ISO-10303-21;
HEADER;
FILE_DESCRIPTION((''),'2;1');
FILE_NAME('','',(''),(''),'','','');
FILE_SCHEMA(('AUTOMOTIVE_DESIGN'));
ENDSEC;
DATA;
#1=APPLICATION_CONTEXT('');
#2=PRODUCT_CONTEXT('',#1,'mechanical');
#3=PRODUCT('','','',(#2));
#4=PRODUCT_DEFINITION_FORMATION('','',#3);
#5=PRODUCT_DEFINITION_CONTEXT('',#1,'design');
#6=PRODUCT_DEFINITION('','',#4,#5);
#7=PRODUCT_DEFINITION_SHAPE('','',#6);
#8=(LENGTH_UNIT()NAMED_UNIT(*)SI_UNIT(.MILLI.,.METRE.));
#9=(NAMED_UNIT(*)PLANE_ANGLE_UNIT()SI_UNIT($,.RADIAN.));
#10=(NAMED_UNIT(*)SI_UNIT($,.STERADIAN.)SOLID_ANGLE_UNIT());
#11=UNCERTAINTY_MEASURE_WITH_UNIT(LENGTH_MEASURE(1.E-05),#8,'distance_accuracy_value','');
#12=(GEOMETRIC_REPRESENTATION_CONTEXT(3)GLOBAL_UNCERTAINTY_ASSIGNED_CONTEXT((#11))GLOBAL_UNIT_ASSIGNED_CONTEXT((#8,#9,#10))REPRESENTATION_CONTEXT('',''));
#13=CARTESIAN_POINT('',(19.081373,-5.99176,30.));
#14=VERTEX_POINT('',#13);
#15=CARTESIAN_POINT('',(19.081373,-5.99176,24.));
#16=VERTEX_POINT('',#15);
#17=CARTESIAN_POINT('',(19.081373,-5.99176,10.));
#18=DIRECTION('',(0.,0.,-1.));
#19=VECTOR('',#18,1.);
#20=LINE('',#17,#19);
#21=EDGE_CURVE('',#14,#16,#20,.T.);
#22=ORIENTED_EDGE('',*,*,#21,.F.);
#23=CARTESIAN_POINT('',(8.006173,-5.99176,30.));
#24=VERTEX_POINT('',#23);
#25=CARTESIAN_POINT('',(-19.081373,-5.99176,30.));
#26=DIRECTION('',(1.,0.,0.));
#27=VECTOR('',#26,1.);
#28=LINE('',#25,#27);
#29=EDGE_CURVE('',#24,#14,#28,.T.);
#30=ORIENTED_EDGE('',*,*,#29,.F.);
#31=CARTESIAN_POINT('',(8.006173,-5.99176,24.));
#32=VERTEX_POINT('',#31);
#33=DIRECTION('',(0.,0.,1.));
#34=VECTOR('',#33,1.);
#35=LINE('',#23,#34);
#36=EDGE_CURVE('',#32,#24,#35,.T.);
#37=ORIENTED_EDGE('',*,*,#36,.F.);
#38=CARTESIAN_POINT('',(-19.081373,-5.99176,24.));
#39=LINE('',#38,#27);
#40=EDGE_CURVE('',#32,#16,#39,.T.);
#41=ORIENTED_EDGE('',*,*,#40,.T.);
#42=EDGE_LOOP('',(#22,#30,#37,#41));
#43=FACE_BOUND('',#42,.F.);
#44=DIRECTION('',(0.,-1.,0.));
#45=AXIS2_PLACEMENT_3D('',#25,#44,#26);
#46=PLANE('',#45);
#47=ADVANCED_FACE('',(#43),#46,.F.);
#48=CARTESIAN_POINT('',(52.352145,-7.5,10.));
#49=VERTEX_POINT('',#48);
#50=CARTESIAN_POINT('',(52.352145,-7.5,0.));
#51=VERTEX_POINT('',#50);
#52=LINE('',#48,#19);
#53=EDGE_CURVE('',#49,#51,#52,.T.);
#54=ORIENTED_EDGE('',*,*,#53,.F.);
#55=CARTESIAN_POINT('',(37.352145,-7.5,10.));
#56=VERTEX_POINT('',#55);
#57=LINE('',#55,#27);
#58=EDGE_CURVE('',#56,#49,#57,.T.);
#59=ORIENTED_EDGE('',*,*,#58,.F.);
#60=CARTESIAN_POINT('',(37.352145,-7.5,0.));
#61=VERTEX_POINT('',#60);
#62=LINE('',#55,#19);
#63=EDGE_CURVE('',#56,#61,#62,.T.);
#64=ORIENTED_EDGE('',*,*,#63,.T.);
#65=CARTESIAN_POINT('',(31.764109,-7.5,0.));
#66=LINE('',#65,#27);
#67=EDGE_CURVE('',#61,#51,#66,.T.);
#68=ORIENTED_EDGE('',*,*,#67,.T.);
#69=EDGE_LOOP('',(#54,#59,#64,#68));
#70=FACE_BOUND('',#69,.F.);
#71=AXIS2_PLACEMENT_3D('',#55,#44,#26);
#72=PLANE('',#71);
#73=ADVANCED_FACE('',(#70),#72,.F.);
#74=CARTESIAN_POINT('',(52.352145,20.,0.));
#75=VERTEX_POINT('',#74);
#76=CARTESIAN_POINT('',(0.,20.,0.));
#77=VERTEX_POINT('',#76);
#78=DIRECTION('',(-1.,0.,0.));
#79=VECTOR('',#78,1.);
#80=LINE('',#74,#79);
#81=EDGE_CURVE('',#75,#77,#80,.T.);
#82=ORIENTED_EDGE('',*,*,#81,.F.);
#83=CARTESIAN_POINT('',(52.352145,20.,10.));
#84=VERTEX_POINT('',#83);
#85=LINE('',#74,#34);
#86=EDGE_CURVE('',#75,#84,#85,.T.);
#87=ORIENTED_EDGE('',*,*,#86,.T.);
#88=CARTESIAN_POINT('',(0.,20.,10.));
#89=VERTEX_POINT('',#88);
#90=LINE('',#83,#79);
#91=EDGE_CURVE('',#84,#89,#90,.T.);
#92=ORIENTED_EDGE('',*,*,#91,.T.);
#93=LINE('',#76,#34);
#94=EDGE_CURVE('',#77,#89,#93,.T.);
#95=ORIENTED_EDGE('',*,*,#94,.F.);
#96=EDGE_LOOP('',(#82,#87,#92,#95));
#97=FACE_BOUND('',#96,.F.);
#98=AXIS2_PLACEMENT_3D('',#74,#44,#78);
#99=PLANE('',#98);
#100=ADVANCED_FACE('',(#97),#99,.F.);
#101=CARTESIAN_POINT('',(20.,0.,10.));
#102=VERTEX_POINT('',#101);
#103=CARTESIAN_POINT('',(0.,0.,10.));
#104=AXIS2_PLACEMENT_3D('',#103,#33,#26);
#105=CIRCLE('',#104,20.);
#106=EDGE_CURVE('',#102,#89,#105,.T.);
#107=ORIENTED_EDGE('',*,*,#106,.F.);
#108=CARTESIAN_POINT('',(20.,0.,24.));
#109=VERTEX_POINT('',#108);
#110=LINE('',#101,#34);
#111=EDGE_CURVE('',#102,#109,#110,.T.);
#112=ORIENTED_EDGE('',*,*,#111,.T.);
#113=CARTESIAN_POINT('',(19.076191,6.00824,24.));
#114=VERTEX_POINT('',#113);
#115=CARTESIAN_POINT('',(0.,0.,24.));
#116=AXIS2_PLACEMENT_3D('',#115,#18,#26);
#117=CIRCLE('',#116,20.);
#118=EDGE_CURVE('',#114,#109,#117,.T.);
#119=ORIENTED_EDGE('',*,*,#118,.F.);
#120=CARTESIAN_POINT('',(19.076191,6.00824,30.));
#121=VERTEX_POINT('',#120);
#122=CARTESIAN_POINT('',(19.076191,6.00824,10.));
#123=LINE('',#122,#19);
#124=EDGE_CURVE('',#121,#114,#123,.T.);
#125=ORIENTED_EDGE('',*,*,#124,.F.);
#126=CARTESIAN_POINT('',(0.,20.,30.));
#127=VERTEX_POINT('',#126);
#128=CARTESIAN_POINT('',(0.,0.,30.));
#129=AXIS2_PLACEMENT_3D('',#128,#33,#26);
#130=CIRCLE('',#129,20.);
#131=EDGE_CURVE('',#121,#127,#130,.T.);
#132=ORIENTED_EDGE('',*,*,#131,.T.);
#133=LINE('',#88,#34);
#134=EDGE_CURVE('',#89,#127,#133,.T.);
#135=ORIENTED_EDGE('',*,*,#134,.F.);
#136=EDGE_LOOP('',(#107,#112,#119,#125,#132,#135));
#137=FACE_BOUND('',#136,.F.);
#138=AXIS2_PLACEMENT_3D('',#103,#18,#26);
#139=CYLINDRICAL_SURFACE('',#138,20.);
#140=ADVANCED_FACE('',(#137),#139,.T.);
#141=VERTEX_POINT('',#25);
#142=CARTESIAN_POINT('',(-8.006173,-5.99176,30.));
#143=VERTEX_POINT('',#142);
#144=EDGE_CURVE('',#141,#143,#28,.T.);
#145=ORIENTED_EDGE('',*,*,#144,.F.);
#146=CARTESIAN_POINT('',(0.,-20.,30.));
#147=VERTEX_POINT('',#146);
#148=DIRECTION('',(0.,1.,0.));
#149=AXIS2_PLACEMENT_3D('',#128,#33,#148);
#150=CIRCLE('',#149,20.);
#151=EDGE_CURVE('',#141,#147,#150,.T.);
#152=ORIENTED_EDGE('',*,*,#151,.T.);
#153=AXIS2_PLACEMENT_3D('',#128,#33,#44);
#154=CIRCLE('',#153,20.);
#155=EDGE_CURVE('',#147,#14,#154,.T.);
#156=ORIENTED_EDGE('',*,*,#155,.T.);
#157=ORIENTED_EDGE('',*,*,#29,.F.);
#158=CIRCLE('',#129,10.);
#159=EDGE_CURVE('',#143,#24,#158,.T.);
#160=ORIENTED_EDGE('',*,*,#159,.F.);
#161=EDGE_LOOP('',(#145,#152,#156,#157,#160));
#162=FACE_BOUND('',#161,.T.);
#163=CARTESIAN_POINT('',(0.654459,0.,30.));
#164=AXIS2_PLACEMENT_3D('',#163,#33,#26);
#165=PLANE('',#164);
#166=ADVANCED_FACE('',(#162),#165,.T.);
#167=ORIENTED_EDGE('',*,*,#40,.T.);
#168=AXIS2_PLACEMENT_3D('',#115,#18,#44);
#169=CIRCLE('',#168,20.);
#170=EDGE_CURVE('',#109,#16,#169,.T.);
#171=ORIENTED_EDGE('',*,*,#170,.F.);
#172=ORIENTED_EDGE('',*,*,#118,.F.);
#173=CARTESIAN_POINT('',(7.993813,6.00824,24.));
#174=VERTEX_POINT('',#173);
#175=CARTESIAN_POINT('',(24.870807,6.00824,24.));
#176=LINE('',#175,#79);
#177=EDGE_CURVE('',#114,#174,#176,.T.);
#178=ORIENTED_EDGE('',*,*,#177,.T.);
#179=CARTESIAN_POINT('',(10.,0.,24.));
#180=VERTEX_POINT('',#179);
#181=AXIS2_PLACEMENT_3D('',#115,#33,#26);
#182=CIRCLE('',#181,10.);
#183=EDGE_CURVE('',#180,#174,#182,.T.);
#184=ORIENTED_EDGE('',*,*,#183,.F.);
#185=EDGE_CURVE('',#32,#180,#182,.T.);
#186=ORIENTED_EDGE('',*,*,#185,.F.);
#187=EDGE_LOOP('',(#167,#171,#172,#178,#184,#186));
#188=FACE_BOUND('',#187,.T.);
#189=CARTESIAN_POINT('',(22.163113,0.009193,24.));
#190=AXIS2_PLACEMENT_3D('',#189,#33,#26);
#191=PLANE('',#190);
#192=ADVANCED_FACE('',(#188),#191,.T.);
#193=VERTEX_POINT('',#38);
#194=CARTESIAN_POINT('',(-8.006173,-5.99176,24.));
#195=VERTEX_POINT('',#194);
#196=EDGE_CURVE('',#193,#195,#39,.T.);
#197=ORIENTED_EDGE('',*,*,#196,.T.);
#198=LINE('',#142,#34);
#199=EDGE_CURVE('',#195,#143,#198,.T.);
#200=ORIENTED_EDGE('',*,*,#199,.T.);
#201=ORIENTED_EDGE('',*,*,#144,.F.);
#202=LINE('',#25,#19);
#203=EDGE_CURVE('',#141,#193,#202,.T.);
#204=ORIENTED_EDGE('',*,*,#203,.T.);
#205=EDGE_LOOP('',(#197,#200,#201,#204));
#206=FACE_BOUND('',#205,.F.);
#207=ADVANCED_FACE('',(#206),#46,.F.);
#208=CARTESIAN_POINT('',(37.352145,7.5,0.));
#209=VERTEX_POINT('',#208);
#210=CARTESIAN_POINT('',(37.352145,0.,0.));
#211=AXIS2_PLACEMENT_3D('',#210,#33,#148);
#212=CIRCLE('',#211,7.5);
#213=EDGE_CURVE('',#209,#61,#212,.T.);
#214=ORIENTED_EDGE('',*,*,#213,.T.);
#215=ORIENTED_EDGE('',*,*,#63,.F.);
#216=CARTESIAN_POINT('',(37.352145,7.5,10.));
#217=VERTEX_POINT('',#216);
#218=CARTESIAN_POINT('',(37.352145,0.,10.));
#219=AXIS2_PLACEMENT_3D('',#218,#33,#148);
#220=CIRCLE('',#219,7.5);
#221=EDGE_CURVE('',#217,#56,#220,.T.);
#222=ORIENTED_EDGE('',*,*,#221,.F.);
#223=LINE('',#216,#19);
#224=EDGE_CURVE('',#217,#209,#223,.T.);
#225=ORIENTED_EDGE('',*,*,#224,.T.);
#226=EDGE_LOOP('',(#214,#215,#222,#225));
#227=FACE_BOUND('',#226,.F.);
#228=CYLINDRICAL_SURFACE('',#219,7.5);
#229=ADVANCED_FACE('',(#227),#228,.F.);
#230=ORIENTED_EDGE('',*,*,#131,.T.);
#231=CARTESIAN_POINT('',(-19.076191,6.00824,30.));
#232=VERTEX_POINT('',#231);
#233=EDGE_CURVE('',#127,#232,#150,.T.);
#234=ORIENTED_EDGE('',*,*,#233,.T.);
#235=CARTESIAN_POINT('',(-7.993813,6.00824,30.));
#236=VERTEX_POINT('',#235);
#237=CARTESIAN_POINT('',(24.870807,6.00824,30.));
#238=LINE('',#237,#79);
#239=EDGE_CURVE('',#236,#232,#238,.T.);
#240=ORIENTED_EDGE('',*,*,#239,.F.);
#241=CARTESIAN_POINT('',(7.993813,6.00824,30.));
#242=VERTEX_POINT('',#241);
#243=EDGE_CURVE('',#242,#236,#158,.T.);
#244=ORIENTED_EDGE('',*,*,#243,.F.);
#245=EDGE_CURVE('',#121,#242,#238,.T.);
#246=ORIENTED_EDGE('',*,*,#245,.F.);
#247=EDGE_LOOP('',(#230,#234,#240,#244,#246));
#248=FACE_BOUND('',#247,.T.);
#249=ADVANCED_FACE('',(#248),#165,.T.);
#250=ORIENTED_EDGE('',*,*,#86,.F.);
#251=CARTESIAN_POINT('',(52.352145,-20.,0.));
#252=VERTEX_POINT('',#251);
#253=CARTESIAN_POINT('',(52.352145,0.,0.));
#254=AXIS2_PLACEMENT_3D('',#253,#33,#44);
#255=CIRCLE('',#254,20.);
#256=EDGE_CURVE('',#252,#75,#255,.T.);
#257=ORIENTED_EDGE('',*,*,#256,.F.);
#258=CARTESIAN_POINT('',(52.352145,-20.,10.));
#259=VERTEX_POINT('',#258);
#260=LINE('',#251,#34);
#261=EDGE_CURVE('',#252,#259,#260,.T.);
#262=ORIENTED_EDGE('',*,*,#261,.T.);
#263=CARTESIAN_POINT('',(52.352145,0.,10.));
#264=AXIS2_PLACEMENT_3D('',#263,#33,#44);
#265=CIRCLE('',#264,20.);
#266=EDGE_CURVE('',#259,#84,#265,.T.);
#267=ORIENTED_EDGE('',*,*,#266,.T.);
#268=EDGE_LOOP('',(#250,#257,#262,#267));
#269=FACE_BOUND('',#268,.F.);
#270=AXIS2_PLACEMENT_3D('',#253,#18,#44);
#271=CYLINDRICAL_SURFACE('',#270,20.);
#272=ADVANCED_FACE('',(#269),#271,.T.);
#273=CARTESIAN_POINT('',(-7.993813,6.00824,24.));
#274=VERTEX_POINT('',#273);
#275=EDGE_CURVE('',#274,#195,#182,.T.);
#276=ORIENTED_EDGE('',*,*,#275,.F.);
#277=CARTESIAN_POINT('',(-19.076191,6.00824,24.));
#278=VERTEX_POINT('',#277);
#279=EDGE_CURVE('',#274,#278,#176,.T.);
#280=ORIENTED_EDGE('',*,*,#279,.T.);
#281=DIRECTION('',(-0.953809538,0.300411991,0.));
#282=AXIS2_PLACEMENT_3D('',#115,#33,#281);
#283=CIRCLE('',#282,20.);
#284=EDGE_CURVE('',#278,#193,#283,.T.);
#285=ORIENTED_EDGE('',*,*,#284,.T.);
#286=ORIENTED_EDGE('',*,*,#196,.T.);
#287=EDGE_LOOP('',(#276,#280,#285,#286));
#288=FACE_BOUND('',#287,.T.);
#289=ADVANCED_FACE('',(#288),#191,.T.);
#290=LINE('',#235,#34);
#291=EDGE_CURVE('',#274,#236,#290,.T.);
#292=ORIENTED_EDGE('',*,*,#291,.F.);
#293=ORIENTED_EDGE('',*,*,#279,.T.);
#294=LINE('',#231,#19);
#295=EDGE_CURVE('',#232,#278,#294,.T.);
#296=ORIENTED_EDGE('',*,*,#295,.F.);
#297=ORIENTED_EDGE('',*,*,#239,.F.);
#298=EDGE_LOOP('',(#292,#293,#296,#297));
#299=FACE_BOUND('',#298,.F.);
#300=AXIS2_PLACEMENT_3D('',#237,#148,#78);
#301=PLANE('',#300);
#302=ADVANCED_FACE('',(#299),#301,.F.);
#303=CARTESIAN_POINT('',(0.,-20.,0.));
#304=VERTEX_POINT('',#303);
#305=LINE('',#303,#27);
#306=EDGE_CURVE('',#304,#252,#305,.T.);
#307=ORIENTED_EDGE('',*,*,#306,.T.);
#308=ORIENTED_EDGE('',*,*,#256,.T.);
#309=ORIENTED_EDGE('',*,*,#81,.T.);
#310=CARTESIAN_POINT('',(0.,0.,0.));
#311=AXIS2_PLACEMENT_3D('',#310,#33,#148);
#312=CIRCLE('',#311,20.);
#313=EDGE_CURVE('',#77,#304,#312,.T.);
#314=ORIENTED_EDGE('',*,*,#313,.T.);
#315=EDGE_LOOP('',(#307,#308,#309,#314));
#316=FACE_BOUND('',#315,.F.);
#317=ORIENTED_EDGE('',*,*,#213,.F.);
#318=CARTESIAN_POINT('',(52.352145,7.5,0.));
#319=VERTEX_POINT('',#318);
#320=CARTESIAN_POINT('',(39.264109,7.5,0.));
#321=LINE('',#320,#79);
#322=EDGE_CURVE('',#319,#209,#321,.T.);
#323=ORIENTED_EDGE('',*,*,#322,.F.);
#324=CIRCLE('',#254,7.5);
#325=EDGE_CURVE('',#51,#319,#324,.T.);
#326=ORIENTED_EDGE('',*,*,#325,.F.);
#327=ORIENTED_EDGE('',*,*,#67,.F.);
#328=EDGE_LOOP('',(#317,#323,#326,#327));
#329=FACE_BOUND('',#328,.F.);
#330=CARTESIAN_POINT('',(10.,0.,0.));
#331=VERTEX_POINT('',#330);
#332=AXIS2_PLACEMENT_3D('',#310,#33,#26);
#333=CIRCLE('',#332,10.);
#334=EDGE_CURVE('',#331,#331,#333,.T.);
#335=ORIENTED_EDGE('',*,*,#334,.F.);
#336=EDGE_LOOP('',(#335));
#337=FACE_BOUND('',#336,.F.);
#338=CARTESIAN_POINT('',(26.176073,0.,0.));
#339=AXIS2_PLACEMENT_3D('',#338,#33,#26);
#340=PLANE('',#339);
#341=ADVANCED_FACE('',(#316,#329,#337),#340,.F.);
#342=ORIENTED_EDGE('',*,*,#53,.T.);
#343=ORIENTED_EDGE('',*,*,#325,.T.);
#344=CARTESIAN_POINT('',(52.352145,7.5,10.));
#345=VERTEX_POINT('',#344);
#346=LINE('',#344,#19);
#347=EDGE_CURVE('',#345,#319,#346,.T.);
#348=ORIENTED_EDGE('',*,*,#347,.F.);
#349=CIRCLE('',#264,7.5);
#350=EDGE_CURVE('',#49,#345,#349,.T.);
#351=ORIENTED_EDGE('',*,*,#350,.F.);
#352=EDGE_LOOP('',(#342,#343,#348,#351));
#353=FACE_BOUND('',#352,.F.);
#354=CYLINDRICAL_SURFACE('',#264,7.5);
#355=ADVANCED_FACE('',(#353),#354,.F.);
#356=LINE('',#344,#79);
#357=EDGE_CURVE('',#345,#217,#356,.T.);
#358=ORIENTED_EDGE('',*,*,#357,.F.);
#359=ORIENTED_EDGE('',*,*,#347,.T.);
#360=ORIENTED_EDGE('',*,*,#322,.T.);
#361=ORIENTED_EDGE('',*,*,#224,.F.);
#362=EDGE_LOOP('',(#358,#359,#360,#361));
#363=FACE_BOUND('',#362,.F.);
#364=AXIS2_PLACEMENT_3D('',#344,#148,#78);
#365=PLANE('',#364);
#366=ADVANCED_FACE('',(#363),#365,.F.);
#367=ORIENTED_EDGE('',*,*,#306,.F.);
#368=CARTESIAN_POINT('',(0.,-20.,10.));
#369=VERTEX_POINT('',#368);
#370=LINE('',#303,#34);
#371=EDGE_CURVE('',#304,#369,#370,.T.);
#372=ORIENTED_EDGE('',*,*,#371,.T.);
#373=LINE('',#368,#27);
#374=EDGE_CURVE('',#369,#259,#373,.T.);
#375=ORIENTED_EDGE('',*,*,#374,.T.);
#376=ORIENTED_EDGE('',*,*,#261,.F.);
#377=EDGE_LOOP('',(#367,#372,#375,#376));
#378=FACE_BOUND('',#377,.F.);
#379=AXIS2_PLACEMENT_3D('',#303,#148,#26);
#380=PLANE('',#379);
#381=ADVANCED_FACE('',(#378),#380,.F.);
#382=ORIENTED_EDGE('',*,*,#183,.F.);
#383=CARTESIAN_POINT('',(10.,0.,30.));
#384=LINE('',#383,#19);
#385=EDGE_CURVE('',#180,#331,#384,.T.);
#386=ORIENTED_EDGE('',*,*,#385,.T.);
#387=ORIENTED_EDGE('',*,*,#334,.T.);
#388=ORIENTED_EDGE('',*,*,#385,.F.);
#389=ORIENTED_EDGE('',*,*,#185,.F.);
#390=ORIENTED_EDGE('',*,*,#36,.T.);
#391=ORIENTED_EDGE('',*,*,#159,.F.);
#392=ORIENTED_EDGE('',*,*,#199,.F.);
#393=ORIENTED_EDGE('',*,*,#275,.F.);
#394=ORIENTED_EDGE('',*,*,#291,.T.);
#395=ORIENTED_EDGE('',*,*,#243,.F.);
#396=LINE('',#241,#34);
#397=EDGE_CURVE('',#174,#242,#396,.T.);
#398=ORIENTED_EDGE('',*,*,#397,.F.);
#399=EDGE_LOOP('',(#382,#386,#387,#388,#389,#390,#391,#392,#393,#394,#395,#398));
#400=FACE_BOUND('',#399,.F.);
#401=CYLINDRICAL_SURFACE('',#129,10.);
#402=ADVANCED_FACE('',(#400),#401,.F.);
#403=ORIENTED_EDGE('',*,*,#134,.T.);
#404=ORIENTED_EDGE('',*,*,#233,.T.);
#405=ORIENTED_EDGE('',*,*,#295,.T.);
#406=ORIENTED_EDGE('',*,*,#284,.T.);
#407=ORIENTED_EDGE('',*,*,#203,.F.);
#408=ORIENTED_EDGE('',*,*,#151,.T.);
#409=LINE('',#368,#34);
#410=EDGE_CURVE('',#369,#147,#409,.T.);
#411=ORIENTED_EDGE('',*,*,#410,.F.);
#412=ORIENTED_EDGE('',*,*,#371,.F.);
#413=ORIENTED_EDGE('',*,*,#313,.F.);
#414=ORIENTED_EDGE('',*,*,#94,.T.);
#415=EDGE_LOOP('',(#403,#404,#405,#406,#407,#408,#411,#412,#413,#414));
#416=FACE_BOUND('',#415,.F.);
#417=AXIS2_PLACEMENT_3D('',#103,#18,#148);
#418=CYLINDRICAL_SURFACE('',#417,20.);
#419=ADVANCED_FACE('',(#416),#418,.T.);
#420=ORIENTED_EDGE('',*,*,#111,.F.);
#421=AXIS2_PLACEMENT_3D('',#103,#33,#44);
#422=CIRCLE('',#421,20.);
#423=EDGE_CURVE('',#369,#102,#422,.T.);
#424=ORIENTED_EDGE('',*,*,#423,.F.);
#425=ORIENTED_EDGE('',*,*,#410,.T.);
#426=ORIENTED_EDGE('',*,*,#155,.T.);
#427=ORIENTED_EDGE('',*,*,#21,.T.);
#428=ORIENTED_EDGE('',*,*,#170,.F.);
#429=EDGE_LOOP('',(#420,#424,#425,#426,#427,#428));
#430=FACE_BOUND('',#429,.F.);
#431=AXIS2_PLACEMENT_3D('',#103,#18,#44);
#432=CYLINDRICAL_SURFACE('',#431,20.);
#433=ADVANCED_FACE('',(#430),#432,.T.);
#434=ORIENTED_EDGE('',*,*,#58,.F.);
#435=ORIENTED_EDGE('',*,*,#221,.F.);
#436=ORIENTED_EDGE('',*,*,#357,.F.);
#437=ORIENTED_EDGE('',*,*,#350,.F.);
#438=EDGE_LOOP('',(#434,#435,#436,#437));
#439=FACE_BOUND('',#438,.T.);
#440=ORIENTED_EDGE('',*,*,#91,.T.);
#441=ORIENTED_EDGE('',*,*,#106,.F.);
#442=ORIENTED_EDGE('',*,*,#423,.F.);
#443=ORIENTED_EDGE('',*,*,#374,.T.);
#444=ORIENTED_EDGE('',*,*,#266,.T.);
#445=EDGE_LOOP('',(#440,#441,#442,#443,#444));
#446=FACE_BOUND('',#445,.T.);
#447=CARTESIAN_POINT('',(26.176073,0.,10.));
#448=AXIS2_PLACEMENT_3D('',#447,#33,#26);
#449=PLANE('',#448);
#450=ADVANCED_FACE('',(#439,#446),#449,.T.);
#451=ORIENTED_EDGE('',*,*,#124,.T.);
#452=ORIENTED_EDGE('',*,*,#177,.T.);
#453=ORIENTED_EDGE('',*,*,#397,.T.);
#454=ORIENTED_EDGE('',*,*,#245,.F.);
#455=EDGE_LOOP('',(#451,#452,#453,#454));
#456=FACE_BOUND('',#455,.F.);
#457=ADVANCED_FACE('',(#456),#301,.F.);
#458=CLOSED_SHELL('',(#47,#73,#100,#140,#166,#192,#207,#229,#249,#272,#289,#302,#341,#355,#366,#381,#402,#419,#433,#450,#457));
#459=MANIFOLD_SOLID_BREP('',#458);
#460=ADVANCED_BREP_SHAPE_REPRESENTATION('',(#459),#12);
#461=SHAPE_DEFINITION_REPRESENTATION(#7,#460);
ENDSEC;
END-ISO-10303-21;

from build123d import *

# Parameters (mm, degrees)
F1_DEPTH = 10
F3_DEPTH = 20
F4_R     = 10
F5_DEPTH = 50
F7_DEPTH = 6
F9_DEPTH = 25


with BuildPart() as f1:
    # F0 (on Top) → F1 (new body)
    with BuildSketch(Plane.XY):
        with BuildLine():
            Line((52.3521453142, 20), (0, 20))
            ThreePointArc((0, 20), (-20, 0), (0, -20))
            Line((0, -20), (52.3521453142, -20))
            ThreePointArc((52.3521453142, -20), (72.3521453142, 0), (52.3521453142, 20))
        make_face()
    extrude(amount=F1_DEPTH)

    # F2 (on face) → F3 (join)
    with BuildSketch(Plane.XY.offset(10)):
        with BuildLine():
            ThreePointArc((0, -20), (14.1421356237, -14.1421356237), (20, 0))
            ThreePointArc((20, 0), (14.1421356237, 14.1421356237), (0, 20))
            ThreePointArc((0, 20), (-20, 0), (0, -20))
        make_face()
    extrude(amount=F3_DEPTH)

    # F4 (on face) → F5 (cut)
    with BuildSketch(Plane.XY.offset(30)):
        Circle(F4_R)
    extrude(amount=-F5_DEPTH, mode=Mode.SUBTRACT)

    # F6 (on face) → F7 (cut)
    with BuildSketch(Plane.XY.offset(30)):
        with BuildLine():
            Line((24.870807305, 6.0082398243), (19.0761907679, 6.0082398243))
            ThreePointArc((19.0761907679, 6.0082398243), (19.7676985934, 3.0394230244), (20, 0))
            ThreePointArc((20, 0), (19.7690094284, -3.0308853852), (19.0813733782, -5.9917601757))
            Line((19.0813733782, -5.9917601757), (24.870807305, -5.9917601757))
            Line((24.870807305, -5.9917601757), (24.870807305, 6.0082398243))
        make_face()
        with BuildLine():
            Line((-7.9938134963, 6.0082398243), (-19.0761907679, 6.0082398243))
            ThreePointArc((-19.0761907679, 6.0082398243), (-19.9999981348, 0.008637683), (-19.0813733782, -5.9917601757))
            Line((-19.0813733782, -5.9917601757), (-8.006173243, -5.9917601757))
            ThreePointArc((-8.006173243, -5.9917601757), (-9.9999946957, 0.0102997835), (-7.9938134963, 6.0082398243))
        make_face()
        with BuildLine():
            Line((7.9938134963, 6.0082398243), (-7.9938134963, 6.0082398243))
            ThreePointArc((-7.9938134963, 6.0082398243), (-9.9999946957, 0.0102997835), (-8.006173243, -5.9917601757))
            Line((-8.006173243, -5.9917601757), (8.006173243, -5.9917601757))
            ThreePointArc((8.006173243, -5.9917601757), (9.4884596334, -3.1573935113), (10, 0))
            ThreePointArc((10, 0), (9.4852025535, 3.1671647445), (7.9938134963, 6.0082398243))
        make_face()
        with BuildLine():
            ThreePointArc((20, 0), (19.7676985934, 3.0394230244), (19.0761907679, 6.0082398243))
            Line((19.0761907679, 6.0082398243), (7.9938134963, 6.0082398243))
            ThreePointArc((7.9938134963, 6.0082398243), (9.4852025535, 3.1671647445), (10, 0))
            ThreePointArc((10, 0), (9.4884596334, -3.1573935113), (8.006173243, -5.9917601757))
            Line((8.006173243, -5.9917601757), (19.0813733782, -5.9917601757))
            ThreePointArc((19.0813733782, -5.9917601757), (19.7690094284, -3.0308853852), (20, 0))
        make_face()
    extrude(amount=-F7_DEPTH, mode=Mode.SUBTRACT)

    # F8 (on face) → F9 (cut)
    with BuildSketch(Plane.XY.offset(10)):
        with BuildLine():
            Line((52.3521453142, 7.5), (37.3521453142, 7.5))
            ThreePointArc((37.3521453142, 7.5), (29.8521453142, 0), (37.3521453142, -7.5))
            Line((37.3521453142, -7.5), (52.3521453142, -7.5))
            ThreePointArc((52.3521453142, -7.5), (59.8521453142, 0), (52.3521453142, 7.5))
        make_face()
    extrude(amount=-F9_DEPTH, mode=Mode.SUBTRACT)


solid = f1.part
